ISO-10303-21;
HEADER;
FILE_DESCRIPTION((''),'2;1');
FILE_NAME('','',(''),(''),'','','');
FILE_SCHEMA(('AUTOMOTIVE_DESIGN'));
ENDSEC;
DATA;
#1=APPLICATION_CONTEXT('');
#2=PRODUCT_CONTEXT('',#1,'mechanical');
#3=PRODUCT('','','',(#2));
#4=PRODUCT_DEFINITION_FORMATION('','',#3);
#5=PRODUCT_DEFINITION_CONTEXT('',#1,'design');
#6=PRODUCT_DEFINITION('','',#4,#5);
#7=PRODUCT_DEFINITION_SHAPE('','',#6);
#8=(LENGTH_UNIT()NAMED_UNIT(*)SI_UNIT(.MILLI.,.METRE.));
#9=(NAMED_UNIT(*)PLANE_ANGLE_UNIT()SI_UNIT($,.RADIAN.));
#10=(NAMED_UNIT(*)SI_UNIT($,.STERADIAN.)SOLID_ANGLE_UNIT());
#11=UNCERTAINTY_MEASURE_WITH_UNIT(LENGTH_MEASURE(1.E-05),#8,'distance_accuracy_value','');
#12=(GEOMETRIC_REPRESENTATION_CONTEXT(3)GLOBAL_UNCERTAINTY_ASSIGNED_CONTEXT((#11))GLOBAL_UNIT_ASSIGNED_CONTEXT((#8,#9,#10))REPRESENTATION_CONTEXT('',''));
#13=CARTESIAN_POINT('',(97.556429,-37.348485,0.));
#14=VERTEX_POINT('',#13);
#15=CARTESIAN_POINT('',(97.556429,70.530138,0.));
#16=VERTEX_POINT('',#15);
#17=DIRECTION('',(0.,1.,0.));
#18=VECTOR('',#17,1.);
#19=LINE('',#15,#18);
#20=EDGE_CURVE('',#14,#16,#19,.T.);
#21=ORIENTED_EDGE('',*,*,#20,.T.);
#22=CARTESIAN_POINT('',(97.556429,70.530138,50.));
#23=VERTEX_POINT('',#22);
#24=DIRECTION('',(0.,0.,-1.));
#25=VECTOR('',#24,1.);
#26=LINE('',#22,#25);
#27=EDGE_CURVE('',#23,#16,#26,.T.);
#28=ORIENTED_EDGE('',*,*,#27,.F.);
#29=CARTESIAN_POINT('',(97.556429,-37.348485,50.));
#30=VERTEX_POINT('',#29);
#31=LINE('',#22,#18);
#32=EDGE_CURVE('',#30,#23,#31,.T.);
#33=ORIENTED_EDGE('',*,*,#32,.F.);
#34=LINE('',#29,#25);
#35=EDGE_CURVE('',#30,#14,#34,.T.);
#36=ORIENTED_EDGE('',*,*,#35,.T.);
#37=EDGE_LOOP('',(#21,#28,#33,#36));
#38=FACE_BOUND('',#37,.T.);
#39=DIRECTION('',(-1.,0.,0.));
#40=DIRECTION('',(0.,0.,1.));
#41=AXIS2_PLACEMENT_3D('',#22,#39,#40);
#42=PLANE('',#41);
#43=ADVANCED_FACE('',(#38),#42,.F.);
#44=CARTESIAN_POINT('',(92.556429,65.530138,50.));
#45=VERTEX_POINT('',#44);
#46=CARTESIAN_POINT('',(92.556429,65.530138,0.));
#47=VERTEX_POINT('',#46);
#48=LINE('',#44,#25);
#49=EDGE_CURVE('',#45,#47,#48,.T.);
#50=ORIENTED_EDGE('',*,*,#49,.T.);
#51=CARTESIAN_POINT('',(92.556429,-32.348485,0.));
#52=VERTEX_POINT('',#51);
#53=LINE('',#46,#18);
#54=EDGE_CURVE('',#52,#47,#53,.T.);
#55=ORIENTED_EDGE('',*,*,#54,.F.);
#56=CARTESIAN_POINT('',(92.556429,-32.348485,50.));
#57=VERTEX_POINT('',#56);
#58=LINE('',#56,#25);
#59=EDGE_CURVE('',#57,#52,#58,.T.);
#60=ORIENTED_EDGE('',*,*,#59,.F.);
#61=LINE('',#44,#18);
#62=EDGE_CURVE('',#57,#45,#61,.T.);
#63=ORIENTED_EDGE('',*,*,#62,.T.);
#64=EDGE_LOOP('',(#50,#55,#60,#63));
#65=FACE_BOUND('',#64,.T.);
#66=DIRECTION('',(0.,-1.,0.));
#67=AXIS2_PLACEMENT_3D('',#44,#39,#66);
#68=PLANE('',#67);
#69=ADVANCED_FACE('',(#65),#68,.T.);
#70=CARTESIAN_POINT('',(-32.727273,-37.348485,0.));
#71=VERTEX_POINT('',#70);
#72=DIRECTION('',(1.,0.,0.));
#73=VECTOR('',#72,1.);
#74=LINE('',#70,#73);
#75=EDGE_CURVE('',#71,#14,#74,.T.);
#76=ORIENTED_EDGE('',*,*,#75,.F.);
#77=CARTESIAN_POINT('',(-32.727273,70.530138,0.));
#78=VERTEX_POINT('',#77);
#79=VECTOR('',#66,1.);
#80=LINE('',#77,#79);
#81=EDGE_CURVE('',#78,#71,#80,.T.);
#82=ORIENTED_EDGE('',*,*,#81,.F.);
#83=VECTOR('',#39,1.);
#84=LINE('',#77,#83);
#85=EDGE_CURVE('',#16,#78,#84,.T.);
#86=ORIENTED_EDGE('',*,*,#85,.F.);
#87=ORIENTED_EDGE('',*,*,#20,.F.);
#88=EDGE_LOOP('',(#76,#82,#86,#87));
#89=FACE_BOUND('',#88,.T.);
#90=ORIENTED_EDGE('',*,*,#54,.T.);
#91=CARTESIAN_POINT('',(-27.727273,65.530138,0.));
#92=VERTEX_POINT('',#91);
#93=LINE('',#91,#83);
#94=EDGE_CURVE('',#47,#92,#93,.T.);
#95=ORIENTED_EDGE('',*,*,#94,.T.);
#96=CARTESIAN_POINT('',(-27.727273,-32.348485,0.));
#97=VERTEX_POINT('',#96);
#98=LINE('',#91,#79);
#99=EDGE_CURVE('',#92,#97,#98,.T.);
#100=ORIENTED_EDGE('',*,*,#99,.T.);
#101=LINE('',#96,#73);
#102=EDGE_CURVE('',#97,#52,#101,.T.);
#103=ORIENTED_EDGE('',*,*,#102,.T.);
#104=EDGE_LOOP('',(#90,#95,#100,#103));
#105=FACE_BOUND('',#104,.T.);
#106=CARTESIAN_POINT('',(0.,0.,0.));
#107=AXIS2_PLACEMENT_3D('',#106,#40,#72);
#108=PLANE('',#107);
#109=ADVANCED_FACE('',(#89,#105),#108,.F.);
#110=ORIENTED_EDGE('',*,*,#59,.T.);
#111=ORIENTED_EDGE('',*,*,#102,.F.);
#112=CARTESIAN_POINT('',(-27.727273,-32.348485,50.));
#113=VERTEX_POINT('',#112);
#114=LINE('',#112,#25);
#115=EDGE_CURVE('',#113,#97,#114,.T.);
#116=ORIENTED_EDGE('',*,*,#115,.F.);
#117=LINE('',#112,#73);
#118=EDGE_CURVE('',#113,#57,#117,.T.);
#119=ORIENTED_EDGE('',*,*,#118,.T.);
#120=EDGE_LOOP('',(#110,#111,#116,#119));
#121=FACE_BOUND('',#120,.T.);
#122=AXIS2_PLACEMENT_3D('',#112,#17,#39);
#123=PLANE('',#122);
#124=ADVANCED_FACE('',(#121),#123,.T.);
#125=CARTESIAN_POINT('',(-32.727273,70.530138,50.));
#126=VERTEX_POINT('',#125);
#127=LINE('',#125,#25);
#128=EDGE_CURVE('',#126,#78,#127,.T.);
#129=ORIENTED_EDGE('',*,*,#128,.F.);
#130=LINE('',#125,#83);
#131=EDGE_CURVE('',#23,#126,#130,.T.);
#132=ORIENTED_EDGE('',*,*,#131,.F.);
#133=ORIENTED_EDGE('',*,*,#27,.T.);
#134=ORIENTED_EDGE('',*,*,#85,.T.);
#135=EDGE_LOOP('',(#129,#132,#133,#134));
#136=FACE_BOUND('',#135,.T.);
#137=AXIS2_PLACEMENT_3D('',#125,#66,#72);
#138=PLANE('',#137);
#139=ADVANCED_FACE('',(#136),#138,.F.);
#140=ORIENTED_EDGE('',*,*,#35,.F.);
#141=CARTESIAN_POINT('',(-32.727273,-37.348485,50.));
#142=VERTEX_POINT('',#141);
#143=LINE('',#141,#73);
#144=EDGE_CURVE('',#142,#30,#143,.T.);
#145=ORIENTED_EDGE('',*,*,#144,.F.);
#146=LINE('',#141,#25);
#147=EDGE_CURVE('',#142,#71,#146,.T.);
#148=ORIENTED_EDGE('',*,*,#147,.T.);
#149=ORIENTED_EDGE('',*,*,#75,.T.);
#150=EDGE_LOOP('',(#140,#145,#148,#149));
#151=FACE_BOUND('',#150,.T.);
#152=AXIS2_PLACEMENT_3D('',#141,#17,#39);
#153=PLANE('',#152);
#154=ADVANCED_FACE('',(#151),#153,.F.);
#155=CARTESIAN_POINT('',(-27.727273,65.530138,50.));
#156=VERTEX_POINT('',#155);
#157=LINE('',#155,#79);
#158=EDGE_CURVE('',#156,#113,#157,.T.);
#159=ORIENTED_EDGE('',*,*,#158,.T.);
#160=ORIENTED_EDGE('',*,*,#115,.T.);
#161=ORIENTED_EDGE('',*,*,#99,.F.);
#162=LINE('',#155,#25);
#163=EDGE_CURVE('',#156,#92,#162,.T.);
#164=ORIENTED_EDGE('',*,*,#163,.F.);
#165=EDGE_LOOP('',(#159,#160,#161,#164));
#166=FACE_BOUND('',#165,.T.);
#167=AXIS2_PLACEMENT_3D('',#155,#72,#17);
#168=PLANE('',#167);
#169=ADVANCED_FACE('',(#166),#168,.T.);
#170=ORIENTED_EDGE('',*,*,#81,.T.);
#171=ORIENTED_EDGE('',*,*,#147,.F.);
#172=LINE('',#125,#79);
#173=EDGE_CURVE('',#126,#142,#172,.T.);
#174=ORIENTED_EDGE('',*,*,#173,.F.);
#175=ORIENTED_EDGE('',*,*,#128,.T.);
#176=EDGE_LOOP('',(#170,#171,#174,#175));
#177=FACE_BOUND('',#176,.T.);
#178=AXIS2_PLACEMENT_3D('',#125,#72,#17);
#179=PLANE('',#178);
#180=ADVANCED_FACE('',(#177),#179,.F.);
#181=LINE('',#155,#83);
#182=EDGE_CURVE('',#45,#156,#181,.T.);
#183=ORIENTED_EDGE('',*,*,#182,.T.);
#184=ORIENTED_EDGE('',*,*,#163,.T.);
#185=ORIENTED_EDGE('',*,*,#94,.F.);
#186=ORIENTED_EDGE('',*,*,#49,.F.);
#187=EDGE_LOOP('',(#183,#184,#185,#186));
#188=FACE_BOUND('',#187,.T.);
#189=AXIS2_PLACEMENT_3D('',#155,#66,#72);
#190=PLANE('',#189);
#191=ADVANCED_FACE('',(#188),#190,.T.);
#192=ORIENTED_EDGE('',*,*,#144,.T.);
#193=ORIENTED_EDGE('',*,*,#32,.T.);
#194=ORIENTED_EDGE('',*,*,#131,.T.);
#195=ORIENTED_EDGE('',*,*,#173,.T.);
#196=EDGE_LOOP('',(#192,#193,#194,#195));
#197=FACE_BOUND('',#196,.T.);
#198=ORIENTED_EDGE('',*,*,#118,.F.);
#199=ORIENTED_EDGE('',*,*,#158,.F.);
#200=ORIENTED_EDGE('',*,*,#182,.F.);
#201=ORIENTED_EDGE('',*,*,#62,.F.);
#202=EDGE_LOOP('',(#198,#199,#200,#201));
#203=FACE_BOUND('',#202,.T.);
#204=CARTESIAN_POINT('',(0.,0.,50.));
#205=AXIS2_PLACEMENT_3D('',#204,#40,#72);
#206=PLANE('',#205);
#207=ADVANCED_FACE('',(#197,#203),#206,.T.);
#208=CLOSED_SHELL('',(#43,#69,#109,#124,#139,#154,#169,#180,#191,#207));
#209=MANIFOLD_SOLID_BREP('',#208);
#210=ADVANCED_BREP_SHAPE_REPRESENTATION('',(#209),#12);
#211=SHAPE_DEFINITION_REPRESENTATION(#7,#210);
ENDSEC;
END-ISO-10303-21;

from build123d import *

# Parameters (mm, degrees)
SKETCH1_W           = 130.283701958
SKETCH1_H           = 107.878622698
SKETCH1_W_2         = 120.283701958
SKETCH1_H_2         = 97.878622698
BOSS_EXTRUDE1_DEPTH = 50


with BuildPart() as part:
    # Sketch1 → Boss-Extrude1 (new body)
    with BuildSketch(Plane.XY):
        with Locations((32.414578252, 16.590826501)):
            Rectangle(SKETCH1_W, SKETCH1_H)
        with Locations((32.414578252, 16.590826501)):
            Rectangle(SKETCH1_W_2, SKETCH1_H_2, mode=Mode.SUBTRACT)
    extrude(amount=BOSS_EXTRUDE1_DEPTH)


solid = part.part
